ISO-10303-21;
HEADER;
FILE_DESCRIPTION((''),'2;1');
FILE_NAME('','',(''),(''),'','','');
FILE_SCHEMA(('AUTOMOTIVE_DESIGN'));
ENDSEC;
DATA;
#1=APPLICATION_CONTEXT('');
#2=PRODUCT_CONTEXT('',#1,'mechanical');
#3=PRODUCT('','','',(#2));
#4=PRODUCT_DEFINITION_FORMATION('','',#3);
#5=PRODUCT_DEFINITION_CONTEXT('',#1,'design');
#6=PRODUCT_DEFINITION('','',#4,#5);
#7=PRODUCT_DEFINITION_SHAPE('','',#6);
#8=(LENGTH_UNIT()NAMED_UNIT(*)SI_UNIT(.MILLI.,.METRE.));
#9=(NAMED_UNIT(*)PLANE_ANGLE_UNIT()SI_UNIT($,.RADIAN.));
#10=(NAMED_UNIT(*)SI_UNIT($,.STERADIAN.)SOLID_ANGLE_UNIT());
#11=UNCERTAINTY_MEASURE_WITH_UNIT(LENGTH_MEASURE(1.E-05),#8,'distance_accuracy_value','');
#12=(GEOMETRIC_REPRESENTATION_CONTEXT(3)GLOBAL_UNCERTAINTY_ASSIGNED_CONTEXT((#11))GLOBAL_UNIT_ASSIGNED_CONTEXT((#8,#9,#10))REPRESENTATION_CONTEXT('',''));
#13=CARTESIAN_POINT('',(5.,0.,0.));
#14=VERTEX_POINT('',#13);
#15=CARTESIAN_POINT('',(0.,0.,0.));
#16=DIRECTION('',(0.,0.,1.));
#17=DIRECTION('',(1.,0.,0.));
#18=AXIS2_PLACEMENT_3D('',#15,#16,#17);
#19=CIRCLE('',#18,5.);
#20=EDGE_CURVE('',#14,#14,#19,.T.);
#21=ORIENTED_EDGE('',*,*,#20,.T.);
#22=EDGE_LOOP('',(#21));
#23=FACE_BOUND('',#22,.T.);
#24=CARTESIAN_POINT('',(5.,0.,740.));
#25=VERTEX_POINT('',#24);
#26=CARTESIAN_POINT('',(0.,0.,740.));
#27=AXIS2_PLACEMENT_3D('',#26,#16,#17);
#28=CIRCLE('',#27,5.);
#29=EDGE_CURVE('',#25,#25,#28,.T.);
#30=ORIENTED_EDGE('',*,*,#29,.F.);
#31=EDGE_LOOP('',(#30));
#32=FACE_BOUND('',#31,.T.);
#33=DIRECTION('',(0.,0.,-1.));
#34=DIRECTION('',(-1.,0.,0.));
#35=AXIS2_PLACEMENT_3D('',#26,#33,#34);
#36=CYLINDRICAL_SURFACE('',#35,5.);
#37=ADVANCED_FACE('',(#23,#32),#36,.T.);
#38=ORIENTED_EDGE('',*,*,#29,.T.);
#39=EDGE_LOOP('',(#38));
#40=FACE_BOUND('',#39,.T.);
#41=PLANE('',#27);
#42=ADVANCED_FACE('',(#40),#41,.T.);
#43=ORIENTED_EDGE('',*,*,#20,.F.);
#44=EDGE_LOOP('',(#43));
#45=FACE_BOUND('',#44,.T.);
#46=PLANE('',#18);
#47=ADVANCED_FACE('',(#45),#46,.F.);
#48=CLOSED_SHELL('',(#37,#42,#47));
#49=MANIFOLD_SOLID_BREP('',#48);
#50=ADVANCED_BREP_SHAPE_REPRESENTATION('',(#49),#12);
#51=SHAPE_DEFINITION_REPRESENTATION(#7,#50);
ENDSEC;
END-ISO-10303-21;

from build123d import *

# Parameters (mm, degrees)
ESQUISSE1_R        = 5
BOSS_EXTRU_1_DEPTH = 740


with BuildPart() as part:
    # Esquisse1 → Boss.-Extru.1 (new body)
    with BuildSketch(Plane.XY):
        Circle(ESQUISSE1_R)
    extrude(amount=BOSS_EXTRU_1_DEPTH)


solid = part.part
